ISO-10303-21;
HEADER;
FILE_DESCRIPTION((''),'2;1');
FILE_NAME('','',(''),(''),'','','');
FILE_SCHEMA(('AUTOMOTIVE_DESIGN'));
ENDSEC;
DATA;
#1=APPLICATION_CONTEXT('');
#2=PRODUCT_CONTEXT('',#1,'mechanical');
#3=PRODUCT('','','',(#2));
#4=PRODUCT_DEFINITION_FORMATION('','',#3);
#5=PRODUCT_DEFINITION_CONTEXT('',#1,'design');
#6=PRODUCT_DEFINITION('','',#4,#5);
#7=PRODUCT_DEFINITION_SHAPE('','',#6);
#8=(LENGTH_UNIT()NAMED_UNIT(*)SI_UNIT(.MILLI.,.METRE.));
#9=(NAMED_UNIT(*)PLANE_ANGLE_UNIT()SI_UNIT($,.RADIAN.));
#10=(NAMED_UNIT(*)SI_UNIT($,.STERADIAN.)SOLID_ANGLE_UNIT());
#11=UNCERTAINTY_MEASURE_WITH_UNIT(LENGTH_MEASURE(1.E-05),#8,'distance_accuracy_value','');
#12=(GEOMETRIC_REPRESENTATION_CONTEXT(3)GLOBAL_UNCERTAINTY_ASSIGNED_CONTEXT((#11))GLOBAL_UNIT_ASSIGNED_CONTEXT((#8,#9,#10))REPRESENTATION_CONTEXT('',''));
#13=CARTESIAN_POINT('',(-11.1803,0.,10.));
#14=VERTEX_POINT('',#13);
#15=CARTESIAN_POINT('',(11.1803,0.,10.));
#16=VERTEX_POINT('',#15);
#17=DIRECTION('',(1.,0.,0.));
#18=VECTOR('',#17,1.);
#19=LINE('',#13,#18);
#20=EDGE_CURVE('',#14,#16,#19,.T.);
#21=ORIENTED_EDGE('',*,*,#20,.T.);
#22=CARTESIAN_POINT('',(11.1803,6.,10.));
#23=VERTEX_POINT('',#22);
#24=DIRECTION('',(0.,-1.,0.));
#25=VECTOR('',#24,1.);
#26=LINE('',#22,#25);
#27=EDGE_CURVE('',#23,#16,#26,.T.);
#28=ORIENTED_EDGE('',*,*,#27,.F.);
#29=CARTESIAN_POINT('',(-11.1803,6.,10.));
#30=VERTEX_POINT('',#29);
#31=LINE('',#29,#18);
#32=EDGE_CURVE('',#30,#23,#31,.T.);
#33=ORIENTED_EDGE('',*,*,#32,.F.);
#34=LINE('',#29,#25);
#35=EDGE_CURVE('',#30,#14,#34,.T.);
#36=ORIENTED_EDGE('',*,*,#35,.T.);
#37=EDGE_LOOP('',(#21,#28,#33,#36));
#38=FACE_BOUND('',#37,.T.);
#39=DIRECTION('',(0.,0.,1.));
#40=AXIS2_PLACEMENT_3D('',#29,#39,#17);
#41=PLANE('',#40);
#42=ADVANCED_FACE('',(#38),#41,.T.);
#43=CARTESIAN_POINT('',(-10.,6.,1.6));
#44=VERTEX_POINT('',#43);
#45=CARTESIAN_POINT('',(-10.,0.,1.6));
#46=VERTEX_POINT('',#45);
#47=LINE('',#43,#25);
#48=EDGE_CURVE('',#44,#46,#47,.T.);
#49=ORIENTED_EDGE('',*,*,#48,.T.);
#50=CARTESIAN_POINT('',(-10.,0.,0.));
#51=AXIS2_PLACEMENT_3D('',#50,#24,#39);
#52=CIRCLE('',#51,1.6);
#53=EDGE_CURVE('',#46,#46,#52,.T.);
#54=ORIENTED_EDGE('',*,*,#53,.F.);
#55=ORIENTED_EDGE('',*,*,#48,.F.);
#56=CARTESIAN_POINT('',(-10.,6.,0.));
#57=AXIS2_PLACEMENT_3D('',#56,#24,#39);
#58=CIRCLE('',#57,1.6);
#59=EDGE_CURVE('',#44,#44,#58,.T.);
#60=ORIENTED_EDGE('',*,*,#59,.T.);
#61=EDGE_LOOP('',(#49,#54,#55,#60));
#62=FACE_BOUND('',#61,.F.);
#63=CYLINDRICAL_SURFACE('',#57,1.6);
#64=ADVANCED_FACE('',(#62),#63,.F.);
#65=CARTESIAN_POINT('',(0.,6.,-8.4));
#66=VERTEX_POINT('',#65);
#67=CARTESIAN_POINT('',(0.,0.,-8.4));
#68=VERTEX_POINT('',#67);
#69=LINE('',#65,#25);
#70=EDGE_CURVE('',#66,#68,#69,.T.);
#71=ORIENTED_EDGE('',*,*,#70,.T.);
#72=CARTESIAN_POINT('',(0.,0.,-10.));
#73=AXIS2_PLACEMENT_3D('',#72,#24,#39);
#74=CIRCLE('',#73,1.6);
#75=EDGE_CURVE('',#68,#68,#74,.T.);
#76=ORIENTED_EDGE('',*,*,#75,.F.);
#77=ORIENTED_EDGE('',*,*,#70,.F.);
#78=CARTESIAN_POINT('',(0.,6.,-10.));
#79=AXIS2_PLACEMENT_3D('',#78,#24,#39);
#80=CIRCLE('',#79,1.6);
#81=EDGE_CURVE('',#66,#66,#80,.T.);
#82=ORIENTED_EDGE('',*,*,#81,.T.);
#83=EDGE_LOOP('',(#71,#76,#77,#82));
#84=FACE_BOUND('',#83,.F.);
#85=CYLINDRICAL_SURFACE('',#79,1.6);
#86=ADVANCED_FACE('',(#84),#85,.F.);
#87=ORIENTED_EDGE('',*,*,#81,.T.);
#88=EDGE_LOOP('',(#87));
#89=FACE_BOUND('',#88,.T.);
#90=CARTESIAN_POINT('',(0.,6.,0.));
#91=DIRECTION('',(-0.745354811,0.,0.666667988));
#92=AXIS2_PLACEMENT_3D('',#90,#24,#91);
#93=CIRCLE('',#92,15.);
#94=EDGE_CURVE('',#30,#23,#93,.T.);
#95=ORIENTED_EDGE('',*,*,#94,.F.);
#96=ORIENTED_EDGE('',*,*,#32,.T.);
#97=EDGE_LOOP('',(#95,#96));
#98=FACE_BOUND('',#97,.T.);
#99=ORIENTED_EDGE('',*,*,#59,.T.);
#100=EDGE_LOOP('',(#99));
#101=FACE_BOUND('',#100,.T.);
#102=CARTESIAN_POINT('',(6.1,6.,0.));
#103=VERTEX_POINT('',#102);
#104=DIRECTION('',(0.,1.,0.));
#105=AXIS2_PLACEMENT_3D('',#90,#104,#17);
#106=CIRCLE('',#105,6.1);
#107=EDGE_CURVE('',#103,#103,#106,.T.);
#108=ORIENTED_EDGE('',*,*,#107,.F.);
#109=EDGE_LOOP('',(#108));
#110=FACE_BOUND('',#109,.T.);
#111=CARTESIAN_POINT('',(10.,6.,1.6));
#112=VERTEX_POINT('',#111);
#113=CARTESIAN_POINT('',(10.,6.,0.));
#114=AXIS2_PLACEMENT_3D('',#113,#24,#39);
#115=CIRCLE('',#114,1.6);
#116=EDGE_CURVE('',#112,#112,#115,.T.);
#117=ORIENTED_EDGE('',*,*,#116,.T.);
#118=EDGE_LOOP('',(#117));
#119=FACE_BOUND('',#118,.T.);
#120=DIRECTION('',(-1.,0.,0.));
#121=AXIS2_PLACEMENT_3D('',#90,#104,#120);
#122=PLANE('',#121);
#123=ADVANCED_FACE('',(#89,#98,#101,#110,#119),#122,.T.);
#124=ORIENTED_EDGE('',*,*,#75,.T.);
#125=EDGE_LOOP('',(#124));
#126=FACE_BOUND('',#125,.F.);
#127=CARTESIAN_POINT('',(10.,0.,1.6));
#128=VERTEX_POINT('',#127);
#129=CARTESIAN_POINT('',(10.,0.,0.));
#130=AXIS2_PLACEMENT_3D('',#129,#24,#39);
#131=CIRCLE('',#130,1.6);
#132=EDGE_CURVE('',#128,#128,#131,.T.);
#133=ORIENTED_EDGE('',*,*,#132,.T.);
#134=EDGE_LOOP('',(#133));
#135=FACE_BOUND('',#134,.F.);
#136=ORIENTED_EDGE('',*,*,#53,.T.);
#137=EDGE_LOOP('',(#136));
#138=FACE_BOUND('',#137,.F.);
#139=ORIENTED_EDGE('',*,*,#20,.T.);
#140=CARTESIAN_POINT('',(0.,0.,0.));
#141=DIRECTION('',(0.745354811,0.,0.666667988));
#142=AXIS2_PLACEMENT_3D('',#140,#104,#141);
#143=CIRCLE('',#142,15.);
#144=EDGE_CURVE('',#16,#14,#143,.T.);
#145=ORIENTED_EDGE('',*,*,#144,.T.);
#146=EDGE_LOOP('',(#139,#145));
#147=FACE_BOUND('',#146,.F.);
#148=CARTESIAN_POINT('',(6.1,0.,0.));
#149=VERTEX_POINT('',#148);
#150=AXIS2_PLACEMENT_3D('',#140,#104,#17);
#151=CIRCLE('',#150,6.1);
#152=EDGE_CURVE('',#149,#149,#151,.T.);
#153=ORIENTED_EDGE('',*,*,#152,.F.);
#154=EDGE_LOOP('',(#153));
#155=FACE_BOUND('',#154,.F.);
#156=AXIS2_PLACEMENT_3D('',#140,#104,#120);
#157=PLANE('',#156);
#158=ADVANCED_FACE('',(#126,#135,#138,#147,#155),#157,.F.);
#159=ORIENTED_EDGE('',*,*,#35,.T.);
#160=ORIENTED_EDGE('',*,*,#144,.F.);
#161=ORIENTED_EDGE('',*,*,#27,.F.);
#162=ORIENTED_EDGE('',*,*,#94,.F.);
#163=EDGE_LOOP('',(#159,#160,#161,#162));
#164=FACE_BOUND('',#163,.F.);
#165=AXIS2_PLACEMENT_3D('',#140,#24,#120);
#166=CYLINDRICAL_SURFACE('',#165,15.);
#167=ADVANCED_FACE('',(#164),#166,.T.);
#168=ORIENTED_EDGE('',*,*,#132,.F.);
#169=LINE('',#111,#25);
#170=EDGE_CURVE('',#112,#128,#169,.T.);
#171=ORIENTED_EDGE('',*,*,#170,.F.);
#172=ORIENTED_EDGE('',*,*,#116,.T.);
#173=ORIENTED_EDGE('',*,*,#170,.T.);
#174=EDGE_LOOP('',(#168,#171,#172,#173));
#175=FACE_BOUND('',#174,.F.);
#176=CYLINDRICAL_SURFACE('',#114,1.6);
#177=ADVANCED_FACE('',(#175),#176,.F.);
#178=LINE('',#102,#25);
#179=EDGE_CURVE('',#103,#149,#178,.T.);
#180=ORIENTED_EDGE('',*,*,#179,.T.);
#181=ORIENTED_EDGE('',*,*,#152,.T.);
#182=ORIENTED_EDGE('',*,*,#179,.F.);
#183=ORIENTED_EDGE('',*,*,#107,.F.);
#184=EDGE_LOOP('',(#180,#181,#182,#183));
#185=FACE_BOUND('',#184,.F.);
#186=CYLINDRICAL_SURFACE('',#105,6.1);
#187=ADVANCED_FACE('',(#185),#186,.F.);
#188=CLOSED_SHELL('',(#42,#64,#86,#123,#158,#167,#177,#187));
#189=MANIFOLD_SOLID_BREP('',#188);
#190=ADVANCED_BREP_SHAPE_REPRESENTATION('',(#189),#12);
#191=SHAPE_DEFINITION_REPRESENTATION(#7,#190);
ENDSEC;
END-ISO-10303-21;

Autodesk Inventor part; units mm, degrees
ref_plane "YZ Plane" through (0, 0, 0) normal (1, 0, 0) x (0, 1, 0)
ref_plane "XZ Plane" through (0, 0, 0) normal (0, 1, 0) x (-1, 0, 0)
ref_plane "XY Plane" through (0, 0, 0) normal (0, 0, 1) x (1, 0, 0)
sketch "スケッチ1" plane through (0, 0, 0) normal (0, 1, 0) x (-1, 0, 0)
  circle A0 centre (0, 0) radius 15
  dimension "d0" = 30
extrude "押し出し1" add sketch "スケッチ1" along normal blind 6
sketch "スケッチ2" plane through (0, 6, 0) normal (0, 1, 0) x (1, 0, 0)
  arc A0 (2.6833, -3.1) -> (-2.6833, -3.1) centre (0, 0) ccw
  line L0 (-2.6833, -3.1) -> (2.6833, -3.1)
  point P0 (0, -3.1)
  dimension "d3" = 8.2
  dimension "d4" = 3.1
extrude "押し出し2" cut sketch "スケッチ2" against normal blind 6
sketch "スケッチ3" plane through (0, 6, 0) normal (0, 1, 0) x (1, 0, 0)
  circle A0 centre (0, 0) radius 15 projected
  circle A1 centre (0, 0) radius 15 projected
  line L0 (-11.1803, -10) -> (11.1803, -10)
  arc A2 (-11.1803, -10) -> (11.1803, -10) centre (0, 0) ccw
  point P0 (0, -10)
  dimension "d7" = 10
extrude "押し出し3" cut sketch "スケッチ3" against normal blind 6 contours L0 A0 picked at (2.8264, -10.7912)
sketch "スケッチ4" plane through (0, 6, 0) normal (0, 1, 0) x (1, 0, 0)
  circle A0 centre (0, 0) radius 10 construction
  point P0 (-10, 0)
  point P1 (0, 10)
  point P2 (10, 0)
  dimension "d10" = 20
hole "穴1" at (-10, 6, 0) at (0, 6, -10) at (10, 6, 0) direction (0, -1, 0) diameter 3.2 end through all
sketch "スケッチ5" plane through (0, 6, 0) normal (0, 1, 0) x (1, 0, 0)
  circle A0 centre (0, 0) radius 6.1
  dimension "d18" = 12.2
extrude "押し出し4" cut sketch "スケッチ5" against normal blind 10
properties part number "射出_留め具3"
